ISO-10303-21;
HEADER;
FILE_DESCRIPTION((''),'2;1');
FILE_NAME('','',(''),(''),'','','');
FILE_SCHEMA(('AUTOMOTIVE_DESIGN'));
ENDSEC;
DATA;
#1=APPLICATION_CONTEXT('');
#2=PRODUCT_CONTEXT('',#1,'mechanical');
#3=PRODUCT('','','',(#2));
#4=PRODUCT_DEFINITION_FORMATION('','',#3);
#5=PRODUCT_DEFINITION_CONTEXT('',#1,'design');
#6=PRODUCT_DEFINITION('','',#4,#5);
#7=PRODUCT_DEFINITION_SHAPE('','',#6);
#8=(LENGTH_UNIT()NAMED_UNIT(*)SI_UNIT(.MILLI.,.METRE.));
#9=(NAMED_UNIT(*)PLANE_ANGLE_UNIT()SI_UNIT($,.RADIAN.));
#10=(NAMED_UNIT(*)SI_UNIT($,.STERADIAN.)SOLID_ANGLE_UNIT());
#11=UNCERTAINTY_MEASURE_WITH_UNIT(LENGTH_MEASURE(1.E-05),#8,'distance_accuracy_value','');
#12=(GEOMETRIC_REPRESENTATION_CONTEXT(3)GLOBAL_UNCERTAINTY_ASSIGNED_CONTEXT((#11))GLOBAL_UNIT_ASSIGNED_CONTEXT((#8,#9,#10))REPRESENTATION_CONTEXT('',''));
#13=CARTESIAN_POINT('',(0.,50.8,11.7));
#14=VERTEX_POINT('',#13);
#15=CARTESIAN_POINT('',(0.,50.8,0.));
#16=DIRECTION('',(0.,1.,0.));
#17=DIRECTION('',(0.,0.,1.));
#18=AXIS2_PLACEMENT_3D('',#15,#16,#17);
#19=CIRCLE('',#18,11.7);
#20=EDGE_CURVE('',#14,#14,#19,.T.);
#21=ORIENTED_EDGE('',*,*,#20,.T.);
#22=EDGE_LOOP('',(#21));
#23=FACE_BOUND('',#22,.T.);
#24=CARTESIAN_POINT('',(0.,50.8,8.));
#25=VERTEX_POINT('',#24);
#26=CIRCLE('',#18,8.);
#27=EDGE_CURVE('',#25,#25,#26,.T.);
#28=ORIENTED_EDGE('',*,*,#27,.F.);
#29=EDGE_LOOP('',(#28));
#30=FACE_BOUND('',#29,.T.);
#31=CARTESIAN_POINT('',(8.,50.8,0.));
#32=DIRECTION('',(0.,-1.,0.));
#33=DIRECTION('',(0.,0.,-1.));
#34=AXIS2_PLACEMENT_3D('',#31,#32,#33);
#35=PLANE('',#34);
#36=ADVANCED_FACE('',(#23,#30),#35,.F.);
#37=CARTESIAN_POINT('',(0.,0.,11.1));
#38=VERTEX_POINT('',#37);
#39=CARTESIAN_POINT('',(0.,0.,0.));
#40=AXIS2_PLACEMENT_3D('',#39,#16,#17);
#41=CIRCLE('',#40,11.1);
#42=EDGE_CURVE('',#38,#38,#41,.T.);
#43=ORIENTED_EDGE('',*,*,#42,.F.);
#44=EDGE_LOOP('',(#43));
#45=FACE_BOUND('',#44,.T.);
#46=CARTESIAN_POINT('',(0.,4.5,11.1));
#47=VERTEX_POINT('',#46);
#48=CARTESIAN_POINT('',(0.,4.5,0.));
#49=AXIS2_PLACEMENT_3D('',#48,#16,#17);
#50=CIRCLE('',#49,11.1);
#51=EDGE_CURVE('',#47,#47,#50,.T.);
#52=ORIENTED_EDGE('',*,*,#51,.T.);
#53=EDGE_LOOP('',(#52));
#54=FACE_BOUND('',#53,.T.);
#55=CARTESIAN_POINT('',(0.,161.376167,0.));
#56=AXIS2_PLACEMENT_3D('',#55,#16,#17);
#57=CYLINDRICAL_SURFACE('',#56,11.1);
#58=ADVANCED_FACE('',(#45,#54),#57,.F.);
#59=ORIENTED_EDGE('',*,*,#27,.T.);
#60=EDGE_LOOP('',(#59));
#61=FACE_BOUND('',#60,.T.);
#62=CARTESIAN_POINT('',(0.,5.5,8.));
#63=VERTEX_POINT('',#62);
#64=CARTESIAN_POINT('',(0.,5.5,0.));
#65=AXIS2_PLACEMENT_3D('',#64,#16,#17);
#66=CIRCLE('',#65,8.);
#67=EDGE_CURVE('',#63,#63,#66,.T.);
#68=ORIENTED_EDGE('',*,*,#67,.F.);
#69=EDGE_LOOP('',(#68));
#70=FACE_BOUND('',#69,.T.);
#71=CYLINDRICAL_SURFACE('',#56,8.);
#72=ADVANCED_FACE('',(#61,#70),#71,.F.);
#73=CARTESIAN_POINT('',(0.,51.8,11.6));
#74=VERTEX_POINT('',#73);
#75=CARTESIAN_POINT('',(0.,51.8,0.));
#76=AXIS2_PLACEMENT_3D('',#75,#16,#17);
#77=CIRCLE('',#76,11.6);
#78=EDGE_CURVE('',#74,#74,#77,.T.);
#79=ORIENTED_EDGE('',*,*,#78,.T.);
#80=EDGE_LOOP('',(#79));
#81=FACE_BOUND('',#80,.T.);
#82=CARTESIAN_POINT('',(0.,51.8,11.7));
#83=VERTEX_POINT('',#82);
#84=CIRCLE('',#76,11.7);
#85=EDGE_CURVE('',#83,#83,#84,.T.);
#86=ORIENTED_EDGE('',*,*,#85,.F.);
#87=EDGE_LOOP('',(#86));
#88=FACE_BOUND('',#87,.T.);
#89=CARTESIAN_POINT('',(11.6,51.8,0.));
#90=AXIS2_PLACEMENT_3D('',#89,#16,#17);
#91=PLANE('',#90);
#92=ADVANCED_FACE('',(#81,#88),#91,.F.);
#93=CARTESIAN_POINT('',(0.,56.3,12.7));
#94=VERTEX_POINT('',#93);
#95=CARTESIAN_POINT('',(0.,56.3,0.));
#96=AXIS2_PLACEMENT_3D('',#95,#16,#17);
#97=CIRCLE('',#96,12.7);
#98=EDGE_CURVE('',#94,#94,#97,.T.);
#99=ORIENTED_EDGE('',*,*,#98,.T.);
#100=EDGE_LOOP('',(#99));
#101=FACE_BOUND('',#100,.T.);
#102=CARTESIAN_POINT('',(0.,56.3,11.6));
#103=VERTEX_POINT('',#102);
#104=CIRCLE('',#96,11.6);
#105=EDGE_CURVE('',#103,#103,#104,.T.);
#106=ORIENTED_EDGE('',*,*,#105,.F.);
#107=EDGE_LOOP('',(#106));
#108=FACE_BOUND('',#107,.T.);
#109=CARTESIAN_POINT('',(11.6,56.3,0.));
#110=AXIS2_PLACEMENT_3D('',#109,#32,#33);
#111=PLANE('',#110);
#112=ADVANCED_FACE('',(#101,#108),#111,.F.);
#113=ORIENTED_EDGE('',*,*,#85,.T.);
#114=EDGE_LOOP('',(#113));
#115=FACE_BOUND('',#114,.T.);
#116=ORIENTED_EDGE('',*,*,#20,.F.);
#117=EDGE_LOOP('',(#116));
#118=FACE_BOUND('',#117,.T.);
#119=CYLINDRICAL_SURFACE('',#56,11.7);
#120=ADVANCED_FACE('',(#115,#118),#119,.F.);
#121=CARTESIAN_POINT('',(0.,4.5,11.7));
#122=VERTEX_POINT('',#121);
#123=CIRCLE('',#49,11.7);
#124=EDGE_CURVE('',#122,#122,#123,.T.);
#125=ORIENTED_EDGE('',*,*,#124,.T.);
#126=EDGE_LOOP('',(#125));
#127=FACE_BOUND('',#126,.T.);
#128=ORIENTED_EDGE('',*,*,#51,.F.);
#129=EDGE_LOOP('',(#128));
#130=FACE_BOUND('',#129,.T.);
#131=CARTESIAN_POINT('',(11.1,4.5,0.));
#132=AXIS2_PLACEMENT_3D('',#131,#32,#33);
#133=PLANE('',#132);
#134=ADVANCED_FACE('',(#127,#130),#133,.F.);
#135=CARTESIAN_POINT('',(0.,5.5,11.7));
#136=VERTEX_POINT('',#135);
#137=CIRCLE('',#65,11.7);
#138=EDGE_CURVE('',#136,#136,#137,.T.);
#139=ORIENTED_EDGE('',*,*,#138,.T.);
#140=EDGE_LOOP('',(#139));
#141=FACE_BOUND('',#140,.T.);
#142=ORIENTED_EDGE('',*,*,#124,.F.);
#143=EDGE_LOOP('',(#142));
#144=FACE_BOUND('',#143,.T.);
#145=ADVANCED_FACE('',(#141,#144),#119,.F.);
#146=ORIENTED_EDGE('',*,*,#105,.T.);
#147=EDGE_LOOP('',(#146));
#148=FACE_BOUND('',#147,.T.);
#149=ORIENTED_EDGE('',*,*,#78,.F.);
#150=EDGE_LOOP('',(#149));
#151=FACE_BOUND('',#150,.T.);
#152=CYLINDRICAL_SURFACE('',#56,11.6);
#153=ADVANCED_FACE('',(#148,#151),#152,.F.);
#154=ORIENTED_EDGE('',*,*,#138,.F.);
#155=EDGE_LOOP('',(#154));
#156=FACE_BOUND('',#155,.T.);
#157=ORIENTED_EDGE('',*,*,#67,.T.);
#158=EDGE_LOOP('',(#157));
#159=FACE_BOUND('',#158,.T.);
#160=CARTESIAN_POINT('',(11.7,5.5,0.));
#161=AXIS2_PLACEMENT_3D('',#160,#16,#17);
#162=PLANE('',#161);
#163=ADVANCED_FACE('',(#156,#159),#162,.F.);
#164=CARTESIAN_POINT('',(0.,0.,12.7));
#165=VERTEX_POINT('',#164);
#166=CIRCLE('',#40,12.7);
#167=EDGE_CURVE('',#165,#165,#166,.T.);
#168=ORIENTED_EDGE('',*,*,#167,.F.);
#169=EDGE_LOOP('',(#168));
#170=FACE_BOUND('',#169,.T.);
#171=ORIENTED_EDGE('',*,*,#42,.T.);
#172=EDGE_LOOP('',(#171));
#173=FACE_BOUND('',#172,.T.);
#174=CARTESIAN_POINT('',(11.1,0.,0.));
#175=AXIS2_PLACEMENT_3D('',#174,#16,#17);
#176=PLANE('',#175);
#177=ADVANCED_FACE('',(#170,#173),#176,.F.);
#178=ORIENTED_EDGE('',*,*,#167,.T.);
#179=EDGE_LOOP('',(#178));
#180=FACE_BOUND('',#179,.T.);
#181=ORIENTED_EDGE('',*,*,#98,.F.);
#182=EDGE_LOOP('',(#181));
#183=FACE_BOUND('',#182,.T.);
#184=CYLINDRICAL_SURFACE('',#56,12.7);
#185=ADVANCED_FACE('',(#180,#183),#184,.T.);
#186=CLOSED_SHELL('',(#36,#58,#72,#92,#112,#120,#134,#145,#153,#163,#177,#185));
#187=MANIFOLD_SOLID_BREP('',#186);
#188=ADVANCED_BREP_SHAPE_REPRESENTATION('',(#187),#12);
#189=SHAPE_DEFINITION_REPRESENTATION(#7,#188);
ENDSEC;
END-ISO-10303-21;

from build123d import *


with BuildPart() as part:
    # 草图1 → 旋转1 (revolve)
    with BuildSketch(Plane.XY, mode=Mode.PRIVATE) as revolve_1_sk:
        Polygon((11.1, 0), (11.1, 4.5), (11.7, 4.5), (11.7, 5.5), (8, 5.5), (8, 50.8), (11.7, 50.8), (11.7, 51.8), (11.6, 51.8), (11.6, 56.3), (12.7, 56.3), (12.7, 0), align=None)
    revolve(revolve_1_sk.sketch.rotate(Axis((0, 161.376166943, 0), (0, -1, 0)), 90), axis=Axis((0, 161.376166943, 0), (0, -1, 0)))  # turned: the seam where the file's is


solid = part.part
